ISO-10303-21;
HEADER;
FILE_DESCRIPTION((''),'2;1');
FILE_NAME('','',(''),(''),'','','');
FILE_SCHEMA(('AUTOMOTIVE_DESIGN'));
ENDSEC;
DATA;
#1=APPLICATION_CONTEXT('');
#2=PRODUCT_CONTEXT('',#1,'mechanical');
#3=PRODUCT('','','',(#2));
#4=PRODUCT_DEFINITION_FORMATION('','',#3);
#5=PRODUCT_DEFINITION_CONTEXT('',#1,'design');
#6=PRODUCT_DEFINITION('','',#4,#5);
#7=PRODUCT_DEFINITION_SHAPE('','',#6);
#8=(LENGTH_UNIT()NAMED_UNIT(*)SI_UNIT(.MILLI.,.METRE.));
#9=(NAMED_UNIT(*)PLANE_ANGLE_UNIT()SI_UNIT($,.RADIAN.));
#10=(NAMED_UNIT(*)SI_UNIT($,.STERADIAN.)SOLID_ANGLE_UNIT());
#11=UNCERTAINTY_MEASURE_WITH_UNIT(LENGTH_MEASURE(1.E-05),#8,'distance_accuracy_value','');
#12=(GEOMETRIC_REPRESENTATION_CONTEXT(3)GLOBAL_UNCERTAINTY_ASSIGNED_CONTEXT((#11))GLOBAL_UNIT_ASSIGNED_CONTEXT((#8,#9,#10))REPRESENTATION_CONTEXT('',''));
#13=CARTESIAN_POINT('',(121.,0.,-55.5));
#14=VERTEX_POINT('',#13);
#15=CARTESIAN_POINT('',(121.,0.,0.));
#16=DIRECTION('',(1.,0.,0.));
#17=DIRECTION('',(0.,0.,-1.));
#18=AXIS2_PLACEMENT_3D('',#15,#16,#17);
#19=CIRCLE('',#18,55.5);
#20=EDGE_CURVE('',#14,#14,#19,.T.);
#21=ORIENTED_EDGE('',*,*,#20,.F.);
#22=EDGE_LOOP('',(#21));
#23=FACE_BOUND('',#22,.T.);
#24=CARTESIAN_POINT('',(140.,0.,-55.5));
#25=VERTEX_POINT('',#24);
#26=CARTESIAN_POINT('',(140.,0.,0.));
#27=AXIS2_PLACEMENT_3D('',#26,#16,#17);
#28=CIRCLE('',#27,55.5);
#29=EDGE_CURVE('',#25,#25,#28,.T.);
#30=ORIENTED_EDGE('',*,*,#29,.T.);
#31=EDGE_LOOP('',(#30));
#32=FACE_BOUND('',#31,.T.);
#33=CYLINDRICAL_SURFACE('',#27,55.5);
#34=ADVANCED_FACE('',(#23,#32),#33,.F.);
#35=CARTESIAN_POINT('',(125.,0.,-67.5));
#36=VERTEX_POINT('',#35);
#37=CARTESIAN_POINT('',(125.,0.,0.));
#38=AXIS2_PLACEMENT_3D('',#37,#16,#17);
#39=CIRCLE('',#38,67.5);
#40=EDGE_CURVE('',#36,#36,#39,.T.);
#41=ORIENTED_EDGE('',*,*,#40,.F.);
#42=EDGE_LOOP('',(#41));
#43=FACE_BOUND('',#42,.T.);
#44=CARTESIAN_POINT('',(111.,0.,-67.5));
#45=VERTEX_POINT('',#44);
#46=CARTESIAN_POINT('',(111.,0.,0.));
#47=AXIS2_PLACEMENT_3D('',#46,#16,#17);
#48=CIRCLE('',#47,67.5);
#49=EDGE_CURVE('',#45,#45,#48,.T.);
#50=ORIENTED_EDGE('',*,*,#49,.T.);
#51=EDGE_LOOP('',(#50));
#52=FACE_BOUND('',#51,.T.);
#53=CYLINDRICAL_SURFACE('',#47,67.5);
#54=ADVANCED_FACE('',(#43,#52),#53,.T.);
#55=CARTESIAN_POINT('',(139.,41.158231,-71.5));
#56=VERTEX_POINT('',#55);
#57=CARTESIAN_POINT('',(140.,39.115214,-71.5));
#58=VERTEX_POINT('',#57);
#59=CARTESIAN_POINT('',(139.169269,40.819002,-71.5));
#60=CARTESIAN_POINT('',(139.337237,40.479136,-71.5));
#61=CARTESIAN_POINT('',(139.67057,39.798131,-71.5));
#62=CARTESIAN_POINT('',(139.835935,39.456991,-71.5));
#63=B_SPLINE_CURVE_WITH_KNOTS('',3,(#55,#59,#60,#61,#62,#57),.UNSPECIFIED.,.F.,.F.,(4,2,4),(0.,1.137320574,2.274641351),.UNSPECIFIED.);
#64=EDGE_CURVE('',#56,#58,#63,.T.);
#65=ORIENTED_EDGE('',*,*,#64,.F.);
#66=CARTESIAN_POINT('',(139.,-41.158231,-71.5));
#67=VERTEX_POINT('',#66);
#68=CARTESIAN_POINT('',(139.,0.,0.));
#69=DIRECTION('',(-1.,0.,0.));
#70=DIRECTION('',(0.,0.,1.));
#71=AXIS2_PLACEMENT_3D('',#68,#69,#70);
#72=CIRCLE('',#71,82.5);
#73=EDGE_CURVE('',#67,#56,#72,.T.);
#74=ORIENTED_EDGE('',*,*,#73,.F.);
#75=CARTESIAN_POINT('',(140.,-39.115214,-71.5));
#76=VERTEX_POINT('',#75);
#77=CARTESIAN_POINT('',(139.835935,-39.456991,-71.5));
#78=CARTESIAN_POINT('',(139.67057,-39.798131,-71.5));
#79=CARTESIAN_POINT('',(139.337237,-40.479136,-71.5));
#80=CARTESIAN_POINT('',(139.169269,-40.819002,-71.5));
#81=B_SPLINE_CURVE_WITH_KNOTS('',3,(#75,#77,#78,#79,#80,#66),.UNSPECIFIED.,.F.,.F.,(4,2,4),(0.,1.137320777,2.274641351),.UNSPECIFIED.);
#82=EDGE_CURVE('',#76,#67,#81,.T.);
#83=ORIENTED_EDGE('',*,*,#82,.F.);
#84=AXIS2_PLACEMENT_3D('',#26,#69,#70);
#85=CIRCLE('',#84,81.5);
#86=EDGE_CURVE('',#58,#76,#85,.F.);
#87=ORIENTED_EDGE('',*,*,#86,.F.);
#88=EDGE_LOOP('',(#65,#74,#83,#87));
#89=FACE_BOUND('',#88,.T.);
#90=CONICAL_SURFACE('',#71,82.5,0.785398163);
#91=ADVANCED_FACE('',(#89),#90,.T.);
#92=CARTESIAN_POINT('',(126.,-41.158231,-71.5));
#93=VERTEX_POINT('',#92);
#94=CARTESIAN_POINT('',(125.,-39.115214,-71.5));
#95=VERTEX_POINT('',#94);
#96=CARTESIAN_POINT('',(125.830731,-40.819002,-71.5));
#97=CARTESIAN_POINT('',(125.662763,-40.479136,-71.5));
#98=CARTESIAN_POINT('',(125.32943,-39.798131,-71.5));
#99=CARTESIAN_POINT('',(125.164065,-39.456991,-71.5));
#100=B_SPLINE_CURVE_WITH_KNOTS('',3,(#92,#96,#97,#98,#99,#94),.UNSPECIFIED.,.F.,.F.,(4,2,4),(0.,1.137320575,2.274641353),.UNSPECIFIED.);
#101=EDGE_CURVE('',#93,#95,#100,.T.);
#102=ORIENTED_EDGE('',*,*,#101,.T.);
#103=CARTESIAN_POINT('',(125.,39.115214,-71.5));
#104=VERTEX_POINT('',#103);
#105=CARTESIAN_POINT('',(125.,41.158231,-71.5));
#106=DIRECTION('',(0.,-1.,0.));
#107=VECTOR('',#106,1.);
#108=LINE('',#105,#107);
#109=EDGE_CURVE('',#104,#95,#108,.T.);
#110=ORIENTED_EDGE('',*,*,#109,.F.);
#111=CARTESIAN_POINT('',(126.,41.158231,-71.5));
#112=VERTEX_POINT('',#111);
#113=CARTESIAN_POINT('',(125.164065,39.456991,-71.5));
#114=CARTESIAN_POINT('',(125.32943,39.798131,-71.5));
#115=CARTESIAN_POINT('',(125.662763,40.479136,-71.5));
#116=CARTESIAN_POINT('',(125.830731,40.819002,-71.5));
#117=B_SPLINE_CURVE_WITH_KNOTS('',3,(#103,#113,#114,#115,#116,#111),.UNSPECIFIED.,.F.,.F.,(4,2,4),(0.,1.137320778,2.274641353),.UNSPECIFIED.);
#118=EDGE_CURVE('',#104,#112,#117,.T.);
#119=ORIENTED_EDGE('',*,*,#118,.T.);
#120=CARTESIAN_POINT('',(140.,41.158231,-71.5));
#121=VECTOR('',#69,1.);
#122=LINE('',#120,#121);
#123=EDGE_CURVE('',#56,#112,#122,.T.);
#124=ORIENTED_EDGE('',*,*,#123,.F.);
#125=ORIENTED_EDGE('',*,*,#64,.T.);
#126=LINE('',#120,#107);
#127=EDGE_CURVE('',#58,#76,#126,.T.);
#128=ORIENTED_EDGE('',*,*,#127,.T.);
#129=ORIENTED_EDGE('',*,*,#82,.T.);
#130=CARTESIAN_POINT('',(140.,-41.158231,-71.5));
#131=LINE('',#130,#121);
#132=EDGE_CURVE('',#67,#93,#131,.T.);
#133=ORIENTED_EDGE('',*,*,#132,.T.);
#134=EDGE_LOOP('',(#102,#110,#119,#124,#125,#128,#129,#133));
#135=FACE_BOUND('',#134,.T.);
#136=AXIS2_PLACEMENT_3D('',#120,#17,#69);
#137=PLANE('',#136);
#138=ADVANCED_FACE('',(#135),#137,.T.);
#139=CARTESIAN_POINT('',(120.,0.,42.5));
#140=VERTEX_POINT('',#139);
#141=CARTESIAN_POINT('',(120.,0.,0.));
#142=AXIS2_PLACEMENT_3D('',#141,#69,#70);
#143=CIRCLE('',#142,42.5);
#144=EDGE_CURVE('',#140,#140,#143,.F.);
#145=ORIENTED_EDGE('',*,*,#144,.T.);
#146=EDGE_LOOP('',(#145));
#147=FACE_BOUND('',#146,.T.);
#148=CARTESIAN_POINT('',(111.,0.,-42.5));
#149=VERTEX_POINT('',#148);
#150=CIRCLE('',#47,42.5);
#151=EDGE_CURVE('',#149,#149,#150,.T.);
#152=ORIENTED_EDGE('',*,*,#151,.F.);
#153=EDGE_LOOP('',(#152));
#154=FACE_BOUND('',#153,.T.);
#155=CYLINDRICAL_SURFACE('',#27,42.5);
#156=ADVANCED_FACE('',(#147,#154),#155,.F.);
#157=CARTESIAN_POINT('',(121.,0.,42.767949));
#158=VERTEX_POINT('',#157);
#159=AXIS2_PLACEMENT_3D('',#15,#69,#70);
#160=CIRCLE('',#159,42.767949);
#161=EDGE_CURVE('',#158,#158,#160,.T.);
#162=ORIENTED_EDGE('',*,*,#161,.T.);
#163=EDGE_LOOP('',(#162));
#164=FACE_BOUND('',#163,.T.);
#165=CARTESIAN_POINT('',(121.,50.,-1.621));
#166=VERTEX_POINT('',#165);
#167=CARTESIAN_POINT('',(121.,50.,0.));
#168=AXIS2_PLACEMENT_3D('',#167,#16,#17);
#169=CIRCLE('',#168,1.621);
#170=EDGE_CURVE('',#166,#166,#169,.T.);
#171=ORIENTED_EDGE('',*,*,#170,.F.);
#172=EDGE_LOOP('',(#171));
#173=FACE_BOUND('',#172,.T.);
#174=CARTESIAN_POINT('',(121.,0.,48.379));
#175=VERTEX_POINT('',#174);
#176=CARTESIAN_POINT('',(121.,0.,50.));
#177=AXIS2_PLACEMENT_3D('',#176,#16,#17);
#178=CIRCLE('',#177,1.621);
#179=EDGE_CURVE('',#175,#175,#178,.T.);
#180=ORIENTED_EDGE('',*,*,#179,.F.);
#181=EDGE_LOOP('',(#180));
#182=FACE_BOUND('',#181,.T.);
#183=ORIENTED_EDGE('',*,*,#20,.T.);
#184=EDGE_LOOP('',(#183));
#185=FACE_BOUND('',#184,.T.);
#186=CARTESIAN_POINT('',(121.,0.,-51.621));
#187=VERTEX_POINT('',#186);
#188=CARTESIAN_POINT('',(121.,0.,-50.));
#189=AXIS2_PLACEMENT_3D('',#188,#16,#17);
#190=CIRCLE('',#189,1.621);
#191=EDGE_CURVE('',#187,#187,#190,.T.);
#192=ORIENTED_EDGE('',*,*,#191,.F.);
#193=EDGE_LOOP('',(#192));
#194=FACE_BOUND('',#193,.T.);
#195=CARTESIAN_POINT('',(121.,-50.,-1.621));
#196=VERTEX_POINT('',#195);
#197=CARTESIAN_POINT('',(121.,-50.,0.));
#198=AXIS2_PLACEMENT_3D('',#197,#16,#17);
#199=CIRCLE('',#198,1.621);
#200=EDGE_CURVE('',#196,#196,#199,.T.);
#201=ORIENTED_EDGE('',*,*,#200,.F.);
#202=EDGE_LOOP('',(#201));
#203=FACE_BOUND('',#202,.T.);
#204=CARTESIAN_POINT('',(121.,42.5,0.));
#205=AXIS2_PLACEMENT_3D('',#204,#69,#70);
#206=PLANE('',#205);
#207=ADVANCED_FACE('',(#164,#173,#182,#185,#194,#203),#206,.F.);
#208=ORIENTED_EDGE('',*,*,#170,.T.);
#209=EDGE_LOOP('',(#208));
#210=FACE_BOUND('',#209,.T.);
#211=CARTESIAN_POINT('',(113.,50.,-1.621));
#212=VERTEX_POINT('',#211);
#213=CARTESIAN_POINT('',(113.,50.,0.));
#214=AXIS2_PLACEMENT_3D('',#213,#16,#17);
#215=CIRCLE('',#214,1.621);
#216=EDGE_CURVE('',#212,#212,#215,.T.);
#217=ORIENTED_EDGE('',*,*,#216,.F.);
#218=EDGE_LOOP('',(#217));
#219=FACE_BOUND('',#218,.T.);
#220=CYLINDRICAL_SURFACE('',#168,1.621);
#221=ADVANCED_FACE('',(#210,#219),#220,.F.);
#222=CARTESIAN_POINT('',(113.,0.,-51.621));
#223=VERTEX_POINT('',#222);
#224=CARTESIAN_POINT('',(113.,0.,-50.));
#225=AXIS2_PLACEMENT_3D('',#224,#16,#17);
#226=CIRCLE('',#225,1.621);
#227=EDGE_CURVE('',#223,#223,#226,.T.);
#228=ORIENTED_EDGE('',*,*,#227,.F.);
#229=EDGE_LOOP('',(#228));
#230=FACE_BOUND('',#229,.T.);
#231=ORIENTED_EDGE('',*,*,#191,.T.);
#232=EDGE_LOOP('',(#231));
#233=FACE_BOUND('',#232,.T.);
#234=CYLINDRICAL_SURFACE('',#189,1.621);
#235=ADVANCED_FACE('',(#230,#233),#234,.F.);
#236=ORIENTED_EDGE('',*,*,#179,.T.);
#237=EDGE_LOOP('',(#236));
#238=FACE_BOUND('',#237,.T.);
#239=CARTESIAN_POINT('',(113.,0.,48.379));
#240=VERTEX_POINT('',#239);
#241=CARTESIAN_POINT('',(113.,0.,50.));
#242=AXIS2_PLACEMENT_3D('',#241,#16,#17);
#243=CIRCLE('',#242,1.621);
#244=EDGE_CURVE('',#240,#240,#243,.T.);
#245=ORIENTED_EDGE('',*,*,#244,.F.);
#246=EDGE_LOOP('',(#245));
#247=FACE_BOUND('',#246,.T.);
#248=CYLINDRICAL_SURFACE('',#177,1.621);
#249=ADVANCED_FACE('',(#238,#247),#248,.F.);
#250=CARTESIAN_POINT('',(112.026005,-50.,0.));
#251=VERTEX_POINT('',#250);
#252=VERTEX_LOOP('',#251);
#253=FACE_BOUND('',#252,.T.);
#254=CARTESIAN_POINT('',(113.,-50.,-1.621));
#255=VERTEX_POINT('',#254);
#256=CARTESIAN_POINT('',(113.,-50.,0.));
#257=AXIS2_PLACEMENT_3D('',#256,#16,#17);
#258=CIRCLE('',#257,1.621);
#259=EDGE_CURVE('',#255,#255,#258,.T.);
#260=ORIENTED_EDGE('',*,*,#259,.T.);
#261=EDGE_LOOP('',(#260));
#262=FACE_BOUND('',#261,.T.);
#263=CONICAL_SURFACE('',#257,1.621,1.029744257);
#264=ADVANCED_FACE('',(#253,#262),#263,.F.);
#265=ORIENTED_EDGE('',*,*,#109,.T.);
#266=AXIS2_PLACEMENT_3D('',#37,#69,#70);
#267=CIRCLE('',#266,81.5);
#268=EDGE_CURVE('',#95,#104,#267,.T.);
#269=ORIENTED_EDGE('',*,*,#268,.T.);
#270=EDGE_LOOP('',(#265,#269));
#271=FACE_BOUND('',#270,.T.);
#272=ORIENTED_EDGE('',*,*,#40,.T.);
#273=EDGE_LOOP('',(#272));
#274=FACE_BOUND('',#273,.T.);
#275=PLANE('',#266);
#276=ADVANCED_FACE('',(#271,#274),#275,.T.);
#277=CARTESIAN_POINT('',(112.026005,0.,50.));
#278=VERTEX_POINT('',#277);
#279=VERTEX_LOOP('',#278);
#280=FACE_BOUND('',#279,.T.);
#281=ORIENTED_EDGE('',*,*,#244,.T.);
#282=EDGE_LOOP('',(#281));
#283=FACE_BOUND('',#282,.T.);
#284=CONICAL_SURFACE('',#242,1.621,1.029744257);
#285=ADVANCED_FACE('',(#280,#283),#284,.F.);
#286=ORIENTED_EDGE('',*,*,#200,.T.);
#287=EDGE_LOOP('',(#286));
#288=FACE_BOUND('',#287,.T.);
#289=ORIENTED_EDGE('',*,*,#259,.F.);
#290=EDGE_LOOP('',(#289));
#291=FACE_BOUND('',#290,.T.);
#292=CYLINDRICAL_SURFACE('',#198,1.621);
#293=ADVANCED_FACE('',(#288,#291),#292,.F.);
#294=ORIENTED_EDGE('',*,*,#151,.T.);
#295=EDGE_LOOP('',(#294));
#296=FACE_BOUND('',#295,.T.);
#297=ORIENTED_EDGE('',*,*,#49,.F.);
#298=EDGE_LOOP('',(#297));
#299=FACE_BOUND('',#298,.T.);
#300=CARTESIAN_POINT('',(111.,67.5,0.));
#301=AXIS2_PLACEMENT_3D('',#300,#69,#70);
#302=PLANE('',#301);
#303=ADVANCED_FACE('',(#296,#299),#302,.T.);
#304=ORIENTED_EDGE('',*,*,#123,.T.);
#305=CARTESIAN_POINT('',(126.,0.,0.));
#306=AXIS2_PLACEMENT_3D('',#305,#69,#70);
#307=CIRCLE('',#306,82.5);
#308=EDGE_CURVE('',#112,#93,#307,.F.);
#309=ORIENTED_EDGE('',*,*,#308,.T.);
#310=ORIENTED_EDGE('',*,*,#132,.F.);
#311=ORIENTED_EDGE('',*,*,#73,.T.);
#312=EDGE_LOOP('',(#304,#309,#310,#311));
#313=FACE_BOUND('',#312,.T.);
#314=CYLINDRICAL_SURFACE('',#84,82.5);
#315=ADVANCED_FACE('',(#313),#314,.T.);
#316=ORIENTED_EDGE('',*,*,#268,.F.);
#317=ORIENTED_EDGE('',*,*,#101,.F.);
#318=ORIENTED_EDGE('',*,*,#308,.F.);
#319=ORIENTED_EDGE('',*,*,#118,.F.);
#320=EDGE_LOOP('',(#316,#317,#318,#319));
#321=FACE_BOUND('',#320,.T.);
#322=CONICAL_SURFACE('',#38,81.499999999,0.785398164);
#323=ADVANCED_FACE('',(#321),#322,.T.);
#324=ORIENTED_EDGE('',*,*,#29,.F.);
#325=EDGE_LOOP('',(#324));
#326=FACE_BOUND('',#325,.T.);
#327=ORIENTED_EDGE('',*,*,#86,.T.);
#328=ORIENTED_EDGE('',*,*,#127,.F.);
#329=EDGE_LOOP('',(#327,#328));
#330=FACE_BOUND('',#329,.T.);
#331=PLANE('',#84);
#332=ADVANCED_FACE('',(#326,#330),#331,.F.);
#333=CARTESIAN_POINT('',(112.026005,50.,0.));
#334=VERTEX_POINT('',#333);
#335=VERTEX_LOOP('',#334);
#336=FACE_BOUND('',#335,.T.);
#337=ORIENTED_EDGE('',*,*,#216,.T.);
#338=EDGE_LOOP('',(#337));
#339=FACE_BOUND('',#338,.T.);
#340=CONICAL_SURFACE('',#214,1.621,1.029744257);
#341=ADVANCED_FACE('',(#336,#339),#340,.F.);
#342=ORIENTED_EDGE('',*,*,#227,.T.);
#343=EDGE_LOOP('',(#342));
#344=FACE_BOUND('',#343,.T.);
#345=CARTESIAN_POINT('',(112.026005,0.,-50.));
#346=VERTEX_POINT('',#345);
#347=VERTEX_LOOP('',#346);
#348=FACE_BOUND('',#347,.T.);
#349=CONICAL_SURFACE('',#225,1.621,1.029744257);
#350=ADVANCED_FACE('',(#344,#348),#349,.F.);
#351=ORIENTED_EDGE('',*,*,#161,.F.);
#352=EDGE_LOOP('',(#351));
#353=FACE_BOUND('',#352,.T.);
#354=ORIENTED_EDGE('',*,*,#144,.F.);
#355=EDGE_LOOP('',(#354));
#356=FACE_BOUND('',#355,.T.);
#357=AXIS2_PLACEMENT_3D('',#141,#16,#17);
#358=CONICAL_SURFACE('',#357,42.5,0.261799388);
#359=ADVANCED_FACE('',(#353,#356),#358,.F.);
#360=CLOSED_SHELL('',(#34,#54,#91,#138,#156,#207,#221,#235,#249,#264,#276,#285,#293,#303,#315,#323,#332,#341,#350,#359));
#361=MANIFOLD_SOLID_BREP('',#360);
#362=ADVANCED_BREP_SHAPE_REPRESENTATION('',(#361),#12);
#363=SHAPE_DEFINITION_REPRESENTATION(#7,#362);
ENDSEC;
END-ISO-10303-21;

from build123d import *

# Parameters (mm, degrees)
EXTRUDE_1_DEPTH           = 15
SKETCH_2_W                = 14
SKETCH_2_H                = 67.5
HOLE_WIZARD_1_D           = 85
HOLE_WIZARD_1_CBORE_D     = 111
HOLE_WIZARD_1_CBORE_DEPTH = 19
HOLE_WIZARD_2_D           = 3.242
HOLE_WIZARD_2_DEPTH       = 8
HOLE_WIZARD_2_TIP         = 0.973995063
CHAMFER_1_SIZE            = 0.999999999
CHAMFER_1_SIZE2           = 1.000000001
CHAMFER_2_SIZE            = 0.267949192
CHAMFER_2_SIZE2           = 1


with BuildPart() as part:
    # 草圖1 → 填料-伸長1 (new body)
    with BuildSketch(Plane(origin=(125, 0, 0), x_dir=(0, -1, 0), z_dir=(-1, 0, 0))):
        with BuildLine():
            Line((-41.158231255, -71.5), (41.158231255, -71.5))
            ThreePointArc((41.158231255, -71.5), (0, 82.5), (-41.158231255, -71.5))
        make_face()
    extrude(amount=-EXTRUDE_1_DEPTH)

    # 草圖2 → 旋轉1 (revolve)
    with BuildSketch(Plane.XY, mode=Mode.PRIVATE) as revolve_1_sk:
        with Locations((118, 33.75)):
            Rectangle(SKETCH_2_W, SKETCH_2_H)
    revolve(revolve_1_sk.sketch.rotate(Axis((111, 0, 0), (1, 0, 0)), 270), axis=Axis((111, 0, 0), (1, 0, 0)))

    # 鑽孔1 (through all)
    with Locations(Plane(origin=(140, 0, 0), x_dir=(0, 0, -1), z_dir=(1, 0, 0))):
        with Locations((0, 0)):
            CounterBoreHole(HOLE_WIZARD_1_D / 2, HOLE_WIZARD_1_CBORE_D / 2, HOLE_WIZARD_1_CBORE_DEPTH)

    # 鑽孔2
    with Locations(Plane(origin=(121, 0, 0), x_dir=(0, 0, -1), z_dir=(1, 0, 0))):
        with Locations((0, 50), (-50, 0), (0, -50), (50, 0)):
            Hole(HOLE_WIZARD_2_D / 2, depth=HOLE_WIZARD_2_DEPTH)
            with Locations((0, 0, -(HOLE_WIZARD_2_DEPTH + HOLE_WIZARD_2_TIP / 2))):  # 118° drill point
                Cone(0, HOLE_WIZARD_2_D / 2, HOLE_WIZARD_2_TIP, mode=Mode.SUBTRACT)

    # 導角1
    chamfer_1_edges = [part.edges().sort_by_distance(p)[0] for p in [
        (125, 0, 82.5),
        (140, 0, 82.5),
    ]]
    chamfer_1_side = [part.faces().sort_by_distance(p)[0] for p in [
        (132.5, 0, 82.5),
    ]]
    chamfer(chamfer_1_edges, length=CHAMFER_1_SIZE, length2=CHAMFER_1_SIZE2, reference=chamfer_1_side[0])

    # 導角2
    chamfer_2_edges = [part.edges().sort_by_distance(p)[0] for p in [
        (121, 0, -42.5),
    ]]
    chamfer_2_side = [part.faces().sort_by_distance(p)[0] for p in [
        (121, 0, 53.930222946),
    ]]
    chamfer(chamfer_2_edges, length=CHAMFER_2_SIZE, length2=CHAMFER_2_SIZE2, reference=chamfer_2_side[0])


solid = part.part
